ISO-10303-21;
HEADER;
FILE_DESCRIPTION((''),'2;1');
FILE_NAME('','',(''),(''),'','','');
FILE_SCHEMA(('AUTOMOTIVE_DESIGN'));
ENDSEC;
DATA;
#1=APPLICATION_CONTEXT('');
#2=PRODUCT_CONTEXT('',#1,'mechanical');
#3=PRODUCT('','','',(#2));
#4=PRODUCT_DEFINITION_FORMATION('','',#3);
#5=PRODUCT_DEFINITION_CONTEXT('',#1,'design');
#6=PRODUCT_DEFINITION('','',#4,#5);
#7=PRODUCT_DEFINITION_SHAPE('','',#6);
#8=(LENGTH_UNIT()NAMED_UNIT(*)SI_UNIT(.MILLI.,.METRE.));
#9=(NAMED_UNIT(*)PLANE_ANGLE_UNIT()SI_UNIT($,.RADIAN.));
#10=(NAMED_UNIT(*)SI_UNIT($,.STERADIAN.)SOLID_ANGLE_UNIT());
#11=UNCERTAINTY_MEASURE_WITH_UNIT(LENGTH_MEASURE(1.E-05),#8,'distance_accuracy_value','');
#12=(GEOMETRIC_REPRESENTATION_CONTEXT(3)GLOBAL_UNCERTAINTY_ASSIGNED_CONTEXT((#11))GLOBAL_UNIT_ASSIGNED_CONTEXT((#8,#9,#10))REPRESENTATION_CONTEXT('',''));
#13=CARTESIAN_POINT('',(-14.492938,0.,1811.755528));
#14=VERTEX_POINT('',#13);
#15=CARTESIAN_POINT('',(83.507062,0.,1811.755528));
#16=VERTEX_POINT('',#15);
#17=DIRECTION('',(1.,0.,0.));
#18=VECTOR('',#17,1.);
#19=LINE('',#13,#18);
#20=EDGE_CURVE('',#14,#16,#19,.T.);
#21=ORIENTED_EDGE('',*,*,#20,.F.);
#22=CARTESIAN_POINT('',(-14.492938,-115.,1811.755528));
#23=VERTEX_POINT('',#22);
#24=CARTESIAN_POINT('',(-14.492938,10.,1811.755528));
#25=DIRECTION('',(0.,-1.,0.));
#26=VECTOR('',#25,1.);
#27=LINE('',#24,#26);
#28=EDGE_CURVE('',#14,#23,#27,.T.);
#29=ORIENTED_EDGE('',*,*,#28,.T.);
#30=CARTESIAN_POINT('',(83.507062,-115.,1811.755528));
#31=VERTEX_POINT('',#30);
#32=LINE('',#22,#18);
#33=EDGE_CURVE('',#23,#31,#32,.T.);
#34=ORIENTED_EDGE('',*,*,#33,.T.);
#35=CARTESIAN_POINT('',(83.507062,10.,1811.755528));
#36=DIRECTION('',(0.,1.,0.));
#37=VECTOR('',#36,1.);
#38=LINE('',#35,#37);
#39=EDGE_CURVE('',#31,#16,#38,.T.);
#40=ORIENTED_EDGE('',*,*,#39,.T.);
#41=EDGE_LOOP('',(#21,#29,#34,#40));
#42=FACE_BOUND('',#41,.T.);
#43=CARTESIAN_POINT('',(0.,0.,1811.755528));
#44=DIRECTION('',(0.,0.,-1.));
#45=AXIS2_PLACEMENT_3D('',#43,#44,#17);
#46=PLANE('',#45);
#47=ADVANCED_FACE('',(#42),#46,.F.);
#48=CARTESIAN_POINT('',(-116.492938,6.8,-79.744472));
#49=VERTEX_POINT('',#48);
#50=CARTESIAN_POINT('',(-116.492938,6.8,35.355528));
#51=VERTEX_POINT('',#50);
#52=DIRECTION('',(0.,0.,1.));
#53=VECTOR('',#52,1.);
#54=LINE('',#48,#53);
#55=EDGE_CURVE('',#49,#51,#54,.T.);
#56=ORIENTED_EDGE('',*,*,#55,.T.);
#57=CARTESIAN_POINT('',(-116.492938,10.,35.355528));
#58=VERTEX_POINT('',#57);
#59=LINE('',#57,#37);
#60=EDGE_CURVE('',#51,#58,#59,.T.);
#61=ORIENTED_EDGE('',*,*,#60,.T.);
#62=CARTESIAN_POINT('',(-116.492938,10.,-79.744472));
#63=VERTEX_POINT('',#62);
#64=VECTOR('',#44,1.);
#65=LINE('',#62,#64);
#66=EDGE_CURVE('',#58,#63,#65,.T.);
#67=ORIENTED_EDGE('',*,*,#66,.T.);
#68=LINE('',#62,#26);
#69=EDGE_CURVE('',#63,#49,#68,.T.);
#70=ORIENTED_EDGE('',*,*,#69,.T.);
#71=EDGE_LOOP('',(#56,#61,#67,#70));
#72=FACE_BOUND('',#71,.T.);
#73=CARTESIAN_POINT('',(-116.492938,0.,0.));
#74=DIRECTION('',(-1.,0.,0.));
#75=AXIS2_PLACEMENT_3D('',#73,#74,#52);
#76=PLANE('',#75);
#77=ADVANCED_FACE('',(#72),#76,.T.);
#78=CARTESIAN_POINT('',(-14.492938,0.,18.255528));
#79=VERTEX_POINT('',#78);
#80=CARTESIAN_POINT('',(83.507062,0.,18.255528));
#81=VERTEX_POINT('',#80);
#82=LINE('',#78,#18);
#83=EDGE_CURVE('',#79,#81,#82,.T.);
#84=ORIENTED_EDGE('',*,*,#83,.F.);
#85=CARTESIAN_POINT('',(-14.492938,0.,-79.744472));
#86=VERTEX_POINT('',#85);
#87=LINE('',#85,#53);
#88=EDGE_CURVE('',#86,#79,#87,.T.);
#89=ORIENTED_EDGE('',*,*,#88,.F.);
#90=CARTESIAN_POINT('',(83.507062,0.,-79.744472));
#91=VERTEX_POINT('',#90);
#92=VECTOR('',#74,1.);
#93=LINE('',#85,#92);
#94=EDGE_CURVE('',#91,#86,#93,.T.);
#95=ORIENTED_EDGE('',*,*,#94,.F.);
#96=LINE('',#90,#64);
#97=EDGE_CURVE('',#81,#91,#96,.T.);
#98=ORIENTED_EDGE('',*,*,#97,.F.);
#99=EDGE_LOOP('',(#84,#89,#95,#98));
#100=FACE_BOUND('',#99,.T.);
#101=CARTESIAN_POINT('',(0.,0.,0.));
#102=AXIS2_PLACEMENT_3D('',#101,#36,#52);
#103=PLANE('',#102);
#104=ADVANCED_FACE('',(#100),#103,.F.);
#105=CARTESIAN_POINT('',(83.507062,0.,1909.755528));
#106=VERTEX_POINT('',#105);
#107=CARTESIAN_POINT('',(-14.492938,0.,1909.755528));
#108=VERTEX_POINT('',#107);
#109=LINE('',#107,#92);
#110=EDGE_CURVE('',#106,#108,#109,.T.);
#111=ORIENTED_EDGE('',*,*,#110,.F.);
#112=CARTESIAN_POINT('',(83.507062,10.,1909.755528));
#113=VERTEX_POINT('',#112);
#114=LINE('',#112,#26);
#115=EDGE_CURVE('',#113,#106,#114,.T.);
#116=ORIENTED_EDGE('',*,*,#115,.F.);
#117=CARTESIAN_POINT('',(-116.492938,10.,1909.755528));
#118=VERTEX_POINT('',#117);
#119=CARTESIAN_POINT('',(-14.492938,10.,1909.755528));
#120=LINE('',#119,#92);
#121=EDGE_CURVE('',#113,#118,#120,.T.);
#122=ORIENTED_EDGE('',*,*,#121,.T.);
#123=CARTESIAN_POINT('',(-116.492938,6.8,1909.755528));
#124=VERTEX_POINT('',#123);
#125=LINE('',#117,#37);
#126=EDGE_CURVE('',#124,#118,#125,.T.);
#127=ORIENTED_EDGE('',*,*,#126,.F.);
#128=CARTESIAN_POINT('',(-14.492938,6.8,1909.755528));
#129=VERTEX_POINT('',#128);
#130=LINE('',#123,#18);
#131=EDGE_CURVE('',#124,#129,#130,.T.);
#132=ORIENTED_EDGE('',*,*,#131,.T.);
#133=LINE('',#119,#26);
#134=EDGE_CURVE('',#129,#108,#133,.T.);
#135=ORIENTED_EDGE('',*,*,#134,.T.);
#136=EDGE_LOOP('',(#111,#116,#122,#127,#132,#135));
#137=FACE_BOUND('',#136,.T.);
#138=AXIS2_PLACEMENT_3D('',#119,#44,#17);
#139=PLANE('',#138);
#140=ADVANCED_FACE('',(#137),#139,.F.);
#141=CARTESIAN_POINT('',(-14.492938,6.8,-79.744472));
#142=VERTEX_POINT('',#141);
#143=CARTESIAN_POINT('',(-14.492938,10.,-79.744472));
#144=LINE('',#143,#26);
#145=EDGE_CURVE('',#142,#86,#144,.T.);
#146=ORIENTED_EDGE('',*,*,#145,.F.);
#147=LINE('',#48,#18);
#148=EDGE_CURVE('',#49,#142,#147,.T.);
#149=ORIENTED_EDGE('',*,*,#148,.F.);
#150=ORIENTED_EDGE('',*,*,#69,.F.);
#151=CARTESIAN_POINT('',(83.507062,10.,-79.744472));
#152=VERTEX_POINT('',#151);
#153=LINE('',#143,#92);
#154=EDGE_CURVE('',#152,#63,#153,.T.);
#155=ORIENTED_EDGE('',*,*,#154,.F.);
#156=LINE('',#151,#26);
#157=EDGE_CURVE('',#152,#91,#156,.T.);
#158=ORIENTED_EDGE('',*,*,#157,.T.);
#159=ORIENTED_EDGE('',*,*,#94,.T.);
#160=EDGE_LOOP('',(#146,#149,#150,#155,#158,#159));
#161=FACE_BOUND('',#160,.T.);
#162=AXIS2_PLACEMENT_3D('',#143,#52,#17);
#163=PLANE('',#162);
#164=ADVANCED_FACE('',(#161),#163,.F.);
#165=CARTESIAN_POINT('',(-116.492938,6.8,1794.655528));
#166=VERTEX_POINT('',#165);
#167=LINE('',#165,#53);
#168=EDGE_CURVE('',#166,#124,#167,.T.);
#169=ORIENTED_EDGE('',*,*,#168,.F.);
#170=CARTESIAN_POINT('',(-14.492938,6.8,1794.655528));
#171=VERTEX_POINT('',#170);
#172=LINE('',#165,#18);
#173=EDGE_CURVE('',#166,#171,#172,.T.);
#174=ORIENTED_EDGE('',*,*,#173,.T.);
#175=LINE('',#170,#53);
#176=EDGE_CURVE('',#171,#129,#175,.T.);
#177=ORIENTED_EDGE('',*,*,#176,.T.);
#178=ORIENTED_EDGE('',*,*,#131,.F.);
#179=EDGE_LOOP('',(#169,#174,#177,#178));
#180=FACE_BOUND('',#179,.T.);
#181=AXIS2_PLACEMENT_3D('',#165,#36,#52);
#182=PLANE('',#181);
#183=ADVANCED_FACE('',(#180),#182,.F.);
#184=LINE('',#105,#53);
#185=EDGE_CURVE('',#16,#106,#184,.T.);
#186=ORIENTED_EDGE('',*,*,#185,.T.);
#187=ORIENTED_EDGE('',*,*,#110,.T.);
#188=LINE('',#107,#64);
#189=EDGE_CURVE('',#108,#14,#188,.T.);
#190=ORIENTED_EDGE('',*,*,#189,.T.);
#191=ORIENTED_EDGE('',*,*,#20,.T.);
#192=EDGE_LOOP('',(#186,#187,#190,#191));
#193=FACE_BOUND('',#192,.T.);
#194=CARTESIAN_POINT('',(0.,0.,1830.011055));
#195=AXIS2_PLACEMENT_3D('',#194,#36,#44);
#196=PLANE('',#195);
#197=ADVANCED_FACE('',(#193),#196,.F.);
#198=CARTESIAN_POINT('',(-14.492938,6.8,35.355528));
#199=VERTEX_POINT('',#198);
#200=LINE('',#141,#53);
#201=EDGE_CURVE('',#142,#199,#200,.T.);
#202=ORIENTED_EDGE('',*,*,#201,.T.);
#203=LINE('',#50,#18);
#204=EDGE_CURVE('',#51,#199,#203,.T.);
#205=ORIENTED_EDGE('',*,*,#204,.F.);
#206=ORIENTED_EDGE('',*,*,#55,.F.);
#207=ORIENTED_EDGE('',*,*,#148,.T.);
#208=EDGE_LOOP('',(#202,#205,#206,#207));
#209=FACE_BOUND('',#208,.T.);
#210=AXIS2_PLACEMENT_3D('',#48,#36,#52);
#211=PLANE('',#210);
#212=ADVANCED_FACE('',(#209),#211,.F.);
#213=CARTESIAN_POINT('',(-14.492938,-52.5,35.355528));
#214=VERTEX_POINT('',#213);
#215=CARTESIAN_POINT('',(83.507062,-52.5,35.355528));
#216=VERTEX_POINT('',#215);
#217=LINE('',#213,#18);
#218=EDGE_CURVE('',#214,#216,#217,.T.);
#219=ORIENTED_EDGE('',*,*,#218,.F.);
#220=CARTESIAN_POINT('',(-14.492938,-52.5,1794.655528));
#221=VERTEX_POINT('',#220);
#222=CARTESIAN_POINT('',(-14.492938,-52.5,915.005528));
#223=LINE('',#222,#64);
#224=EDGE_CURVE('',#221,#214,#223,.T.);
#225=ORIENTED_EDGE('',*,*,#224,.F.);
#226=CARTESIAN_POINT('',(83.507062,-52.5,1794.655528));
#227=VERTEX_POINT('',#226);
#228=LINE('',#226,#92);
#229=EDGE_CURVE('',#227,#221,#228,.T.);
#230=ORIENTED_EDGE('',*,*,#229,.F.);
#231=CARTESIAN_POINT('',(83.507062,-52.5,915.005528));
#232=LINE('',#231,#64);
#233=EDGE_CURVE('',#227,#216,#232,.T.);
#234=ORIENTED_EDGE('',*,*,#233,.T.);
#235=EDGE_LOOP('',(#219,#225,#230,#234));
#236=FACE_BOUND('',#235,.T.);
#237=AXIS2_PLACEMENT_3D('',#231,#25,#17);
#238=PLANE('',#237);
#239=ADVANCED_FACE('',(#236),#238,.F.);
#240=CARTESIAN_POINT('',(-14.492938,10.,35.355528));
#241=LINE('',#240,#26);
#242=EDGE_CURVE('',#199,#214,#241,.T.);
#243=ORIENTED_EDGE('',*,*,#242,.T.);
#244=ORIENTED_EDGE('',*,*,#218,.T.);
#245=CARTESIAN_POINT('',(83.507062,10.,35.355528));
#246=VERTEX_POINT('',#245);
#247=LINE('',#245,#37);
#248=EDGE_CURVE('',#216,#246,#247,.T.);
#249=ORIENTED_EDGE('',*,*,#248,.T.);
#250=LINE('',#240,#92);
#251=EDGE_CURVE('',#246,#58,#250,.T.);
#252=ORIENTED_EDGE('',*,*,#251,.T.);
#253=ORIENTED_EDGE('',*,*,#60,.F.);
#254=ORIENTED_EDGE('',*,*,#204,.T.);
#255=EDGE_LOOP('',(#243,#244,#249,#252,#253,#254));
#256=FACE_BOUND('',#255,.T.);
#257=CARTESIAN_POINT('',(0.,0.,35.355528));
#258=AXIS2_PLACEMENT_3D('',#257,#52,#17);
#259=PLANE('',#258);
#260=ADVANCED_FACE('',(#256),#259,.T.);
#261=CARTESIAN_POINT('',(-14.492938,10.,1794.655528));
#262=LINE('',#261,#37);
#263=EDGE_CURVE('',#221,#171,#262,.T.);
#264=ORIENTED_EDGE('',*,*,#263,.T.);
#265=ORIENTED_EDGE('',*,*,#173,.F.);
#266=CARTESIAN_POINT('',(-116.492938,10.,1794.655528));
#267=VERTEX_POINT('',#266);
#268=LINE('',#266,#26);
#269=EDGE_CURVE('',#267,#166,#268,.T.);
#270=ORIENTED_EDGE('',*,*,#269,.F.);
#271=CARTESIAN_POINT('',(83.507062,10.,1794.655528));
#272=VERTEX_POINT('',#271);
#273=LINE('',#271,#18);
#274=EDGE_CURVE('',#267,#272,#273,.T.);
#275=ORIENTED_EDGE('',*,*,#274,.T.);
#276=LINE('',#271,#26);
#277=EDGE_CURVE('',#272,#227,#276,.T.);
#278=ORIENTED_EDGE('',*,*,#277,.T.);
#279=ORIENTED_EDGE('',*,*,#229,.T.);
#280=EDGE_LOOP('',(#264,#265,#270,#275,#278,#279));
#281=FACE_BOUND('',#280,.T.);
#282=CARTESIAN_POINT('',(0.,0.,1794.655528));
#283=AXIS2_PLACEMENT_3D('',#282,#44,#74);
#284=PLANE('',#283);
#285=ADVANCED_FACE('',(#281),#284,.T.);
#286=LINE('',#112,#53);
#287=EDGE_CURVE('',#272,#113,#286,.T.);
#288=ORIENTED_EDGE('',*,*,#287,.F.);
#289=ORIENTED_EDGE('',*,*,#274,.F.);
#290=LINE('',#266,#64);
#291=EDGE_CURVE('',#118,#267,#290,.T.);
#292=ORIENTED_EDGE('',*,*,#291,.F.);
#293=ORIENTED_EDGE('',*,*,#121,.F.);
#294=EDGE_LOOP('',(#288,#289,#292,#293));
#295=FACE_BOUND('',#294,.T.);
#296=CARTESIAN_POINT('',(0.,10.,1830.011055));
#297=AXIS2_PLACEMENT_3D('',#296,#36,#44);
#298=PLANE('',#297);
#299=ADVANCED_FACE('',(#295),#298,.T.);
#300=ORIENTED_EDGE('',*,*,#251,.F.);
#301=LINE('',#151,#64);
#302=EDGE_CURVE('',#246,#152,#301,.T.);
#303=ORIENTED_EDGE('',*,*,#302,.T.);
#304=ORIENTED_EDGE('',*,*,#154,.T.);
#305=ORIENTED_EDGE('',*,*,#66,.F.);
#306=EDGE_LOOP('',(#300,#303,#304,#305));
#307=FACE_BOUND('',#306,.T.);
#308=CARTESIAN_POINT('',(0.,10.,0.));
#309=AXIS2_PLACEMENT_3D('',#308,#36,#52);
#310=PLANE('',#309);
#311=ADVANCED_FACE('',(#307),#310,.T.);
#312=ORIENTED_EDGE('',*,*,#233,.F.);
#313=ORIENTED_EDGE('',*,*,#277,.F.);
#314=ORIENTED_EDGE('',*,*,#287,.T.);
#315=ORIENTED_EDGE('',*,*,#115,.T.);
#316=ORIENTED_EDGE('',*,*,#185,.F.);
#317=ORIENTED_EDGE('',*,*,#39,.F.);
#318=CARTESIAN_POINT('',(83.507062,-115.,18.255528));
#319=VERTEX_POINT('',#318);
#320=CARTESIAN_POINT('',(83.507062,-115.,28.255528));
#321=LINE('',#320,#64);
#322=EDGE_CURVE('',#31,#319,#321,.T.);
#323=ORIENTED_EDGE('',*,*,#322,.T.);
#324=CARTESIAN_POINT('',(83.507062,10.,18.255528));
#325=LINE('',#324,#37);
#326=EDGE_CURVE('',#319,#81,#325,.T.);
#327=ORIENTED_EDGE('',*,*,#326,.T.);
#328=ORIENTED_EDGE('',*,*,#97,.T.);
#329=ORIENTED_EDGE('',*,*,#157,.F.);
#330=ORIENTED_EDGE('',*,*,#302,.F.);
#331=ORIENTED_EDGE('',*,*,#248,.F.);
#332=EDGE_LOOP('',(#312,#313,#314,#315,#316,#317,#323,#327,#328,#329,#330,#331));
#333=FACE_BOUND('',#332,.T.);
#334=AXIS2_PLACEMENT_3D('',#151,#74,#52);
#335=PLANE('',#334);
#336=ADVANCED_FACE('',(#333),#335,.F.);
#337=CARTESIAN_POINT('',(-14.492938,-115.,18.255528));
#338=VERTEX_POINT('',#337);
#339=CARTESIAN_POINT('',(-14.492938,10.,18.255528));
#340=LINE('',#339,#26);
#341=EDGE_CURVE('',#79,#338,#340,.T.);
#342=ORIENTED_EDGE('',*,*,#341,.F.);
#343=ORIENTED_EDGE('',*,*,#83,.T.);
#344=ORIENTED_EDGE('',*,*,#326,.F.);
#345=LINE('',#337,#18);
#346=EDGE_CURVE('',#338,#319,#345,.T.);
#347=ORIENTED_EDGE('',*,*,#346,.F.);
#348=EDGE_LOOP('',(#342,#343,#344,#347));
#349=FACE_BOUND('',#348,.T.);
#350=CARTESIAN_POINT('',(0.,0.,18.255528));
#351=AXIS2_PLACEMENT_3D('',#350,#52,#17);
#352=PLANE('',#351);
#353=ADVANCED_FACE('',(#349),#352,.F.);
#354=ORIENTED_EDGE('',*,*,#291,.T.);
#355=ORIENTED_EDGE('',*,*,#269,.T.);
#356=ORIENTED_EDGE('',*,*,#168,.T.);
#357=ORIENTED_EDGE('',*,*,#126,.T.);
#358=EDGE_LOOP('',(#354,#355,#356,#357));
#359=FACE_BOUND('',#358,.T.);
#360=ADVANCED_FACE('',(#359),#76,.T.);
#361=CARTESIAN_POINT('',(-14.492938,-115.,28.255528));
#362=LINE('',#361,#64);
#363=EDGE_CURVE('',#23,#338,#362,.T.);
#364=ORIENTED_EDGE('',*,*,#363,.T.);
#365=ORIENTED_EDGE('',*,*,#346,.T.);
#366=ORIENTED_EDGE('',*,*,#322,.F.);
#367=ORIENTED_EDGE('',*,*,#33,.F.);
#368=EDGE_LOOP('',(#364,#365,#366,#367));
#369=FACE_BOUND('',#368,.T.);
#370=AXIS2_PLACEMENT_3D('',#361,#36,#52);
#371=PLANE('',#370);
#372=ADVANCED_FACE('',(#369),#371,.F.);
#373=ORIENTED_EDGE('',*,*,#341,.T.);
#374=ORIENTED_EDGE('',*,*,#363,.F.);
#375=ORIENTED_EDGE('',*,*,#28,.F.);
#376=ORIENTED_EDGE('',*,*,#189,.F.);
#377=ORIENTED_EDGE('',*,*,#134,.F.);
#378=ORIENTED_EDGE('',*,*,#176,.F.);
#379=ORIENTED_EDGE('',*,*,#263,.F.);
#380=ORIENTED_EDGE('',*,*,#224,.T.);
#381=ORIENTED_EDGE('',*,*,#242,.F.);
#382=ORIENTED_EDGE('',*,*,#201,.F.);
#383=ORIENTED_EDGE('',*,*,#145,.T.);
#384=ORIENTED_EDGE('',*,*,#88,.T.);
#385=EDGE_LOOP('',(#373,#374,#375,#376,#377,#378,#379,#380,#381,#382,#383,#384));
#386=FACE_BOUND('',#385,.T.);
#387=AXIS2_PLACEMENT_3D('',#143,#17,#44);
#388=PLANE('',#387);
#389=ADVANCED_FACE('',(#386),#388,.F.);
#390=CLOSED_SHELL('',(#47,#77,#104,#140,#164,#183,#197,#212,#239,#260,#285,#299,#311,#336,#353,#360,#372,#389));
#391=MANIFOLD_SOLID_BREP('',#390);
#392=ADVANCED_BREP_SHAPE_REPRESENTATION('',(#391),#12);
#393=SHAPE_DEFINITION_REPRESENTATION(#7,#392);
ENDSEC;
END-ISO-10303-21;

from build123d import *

# Parameters (mm, degrees)
SKETCH_2_W      = 98
SKETCH_2_H      = 98
EXTRUDE_1_DEPTH = 10
SKETCH_3_W      = 98
SKETCH_3_H      = 125
EXTRUDE_2_DEPTH = 10
SKETCH_4_W      = 98
SKETCH_4_H      = 62.5
EXTRUDE_3_DEPTH = 886.75
SKETCH_5_W      = 98
SKETCH_5_H      = 62.5
EXTRUDE_4_DEPTH = 7.1
SKETCH_6_W      = 98
SKETCH_6_H      = 62.5
EXTRUDE_5_DEPTH = 7.1
SKETCH_9_W      = 115.1
SKETCH_9_H      = 3.2
EXTRUDE_6_DEPTH = 102


with BuildPart() as part:
    # 草图2 → 凸台-拉伸1 (new body)
    with BuildSketch(Plane(origin=(0, 0, 0), x_dir=(1, 0, 0), z_dir=(0, 1, 0))):
        with Locations((34.507061985, 30.744472309)):
            Rectangle(SKETCH_2_W, SKETCH_2_H)
    extrude(amount=EXTRUDE_1_DEPTH)

    # 草图3 → 凸台-拉伸2 (add)
    with BuildSketch(Plane.XY.offset(18.255527691)):
        with Locations((34.507061985, -52.5)):
            Rectangle(SKETCH_3_W, SKETCH_3_H)
    extrude(amount=EXTRUDE_2_DEPTH)

    # 草图4 → 凸台-拉伸3 (add)
    with BuildSketch(Plane.XY.offset(28.255527691)):
        with Locations((34.507061985, -83.75)):
            Rectangle(SKETCH_4_W, SKETCH_4_H)
    extrude(amount=EXTRUDE_3_DEPTH)

    # 镜向4: part across plane


with BuildPart() as part_1:
    add(part.part)
    add(part.part.mirror(Plane.XY.offset(915.005527691)))

    # 草图5 → 凸台-拉伸4 (add)
    with BuildSketch(Plane.XY.offset(28.255527691)):
        with Locations((34.507061985, -21.25)):
            Rectangle(SKETCH_5_W, SKETCH_5_H)
    extrude(amount=EXTRUDE_4_DEPTH)

    # 草图6 → 凸台-拉伸5 (add)
    with BuildSketch(Plane(origin=(0, 0, 1801.755527691), x_dir=(-1, 0, 0), z_dir=(0, 0, -1))):
        with Locations((-34.507061985, -21.25)):
            Rectangle(SKETCH_6_W, SKETCH_6_H)
    extrude(amount=EXTRUDE_5_DEPTH)

    # 草图9 → 凸台-拉伸6 (add)
    with BuildSketch(Plane.ZY.offset(14.492938015)):
        with Locations((-22.194472309, 8.4)):
            Rectangle(SKETCH_9_W, SKETCH_9_H)
        with Locations((1852.205527691, 8.4)):
            Rectangle(SKETCH_9_W, SKETCH_9_H)
    extrude(amount=EXTRUDE_6_DEPTH)


solid = part_1.part
